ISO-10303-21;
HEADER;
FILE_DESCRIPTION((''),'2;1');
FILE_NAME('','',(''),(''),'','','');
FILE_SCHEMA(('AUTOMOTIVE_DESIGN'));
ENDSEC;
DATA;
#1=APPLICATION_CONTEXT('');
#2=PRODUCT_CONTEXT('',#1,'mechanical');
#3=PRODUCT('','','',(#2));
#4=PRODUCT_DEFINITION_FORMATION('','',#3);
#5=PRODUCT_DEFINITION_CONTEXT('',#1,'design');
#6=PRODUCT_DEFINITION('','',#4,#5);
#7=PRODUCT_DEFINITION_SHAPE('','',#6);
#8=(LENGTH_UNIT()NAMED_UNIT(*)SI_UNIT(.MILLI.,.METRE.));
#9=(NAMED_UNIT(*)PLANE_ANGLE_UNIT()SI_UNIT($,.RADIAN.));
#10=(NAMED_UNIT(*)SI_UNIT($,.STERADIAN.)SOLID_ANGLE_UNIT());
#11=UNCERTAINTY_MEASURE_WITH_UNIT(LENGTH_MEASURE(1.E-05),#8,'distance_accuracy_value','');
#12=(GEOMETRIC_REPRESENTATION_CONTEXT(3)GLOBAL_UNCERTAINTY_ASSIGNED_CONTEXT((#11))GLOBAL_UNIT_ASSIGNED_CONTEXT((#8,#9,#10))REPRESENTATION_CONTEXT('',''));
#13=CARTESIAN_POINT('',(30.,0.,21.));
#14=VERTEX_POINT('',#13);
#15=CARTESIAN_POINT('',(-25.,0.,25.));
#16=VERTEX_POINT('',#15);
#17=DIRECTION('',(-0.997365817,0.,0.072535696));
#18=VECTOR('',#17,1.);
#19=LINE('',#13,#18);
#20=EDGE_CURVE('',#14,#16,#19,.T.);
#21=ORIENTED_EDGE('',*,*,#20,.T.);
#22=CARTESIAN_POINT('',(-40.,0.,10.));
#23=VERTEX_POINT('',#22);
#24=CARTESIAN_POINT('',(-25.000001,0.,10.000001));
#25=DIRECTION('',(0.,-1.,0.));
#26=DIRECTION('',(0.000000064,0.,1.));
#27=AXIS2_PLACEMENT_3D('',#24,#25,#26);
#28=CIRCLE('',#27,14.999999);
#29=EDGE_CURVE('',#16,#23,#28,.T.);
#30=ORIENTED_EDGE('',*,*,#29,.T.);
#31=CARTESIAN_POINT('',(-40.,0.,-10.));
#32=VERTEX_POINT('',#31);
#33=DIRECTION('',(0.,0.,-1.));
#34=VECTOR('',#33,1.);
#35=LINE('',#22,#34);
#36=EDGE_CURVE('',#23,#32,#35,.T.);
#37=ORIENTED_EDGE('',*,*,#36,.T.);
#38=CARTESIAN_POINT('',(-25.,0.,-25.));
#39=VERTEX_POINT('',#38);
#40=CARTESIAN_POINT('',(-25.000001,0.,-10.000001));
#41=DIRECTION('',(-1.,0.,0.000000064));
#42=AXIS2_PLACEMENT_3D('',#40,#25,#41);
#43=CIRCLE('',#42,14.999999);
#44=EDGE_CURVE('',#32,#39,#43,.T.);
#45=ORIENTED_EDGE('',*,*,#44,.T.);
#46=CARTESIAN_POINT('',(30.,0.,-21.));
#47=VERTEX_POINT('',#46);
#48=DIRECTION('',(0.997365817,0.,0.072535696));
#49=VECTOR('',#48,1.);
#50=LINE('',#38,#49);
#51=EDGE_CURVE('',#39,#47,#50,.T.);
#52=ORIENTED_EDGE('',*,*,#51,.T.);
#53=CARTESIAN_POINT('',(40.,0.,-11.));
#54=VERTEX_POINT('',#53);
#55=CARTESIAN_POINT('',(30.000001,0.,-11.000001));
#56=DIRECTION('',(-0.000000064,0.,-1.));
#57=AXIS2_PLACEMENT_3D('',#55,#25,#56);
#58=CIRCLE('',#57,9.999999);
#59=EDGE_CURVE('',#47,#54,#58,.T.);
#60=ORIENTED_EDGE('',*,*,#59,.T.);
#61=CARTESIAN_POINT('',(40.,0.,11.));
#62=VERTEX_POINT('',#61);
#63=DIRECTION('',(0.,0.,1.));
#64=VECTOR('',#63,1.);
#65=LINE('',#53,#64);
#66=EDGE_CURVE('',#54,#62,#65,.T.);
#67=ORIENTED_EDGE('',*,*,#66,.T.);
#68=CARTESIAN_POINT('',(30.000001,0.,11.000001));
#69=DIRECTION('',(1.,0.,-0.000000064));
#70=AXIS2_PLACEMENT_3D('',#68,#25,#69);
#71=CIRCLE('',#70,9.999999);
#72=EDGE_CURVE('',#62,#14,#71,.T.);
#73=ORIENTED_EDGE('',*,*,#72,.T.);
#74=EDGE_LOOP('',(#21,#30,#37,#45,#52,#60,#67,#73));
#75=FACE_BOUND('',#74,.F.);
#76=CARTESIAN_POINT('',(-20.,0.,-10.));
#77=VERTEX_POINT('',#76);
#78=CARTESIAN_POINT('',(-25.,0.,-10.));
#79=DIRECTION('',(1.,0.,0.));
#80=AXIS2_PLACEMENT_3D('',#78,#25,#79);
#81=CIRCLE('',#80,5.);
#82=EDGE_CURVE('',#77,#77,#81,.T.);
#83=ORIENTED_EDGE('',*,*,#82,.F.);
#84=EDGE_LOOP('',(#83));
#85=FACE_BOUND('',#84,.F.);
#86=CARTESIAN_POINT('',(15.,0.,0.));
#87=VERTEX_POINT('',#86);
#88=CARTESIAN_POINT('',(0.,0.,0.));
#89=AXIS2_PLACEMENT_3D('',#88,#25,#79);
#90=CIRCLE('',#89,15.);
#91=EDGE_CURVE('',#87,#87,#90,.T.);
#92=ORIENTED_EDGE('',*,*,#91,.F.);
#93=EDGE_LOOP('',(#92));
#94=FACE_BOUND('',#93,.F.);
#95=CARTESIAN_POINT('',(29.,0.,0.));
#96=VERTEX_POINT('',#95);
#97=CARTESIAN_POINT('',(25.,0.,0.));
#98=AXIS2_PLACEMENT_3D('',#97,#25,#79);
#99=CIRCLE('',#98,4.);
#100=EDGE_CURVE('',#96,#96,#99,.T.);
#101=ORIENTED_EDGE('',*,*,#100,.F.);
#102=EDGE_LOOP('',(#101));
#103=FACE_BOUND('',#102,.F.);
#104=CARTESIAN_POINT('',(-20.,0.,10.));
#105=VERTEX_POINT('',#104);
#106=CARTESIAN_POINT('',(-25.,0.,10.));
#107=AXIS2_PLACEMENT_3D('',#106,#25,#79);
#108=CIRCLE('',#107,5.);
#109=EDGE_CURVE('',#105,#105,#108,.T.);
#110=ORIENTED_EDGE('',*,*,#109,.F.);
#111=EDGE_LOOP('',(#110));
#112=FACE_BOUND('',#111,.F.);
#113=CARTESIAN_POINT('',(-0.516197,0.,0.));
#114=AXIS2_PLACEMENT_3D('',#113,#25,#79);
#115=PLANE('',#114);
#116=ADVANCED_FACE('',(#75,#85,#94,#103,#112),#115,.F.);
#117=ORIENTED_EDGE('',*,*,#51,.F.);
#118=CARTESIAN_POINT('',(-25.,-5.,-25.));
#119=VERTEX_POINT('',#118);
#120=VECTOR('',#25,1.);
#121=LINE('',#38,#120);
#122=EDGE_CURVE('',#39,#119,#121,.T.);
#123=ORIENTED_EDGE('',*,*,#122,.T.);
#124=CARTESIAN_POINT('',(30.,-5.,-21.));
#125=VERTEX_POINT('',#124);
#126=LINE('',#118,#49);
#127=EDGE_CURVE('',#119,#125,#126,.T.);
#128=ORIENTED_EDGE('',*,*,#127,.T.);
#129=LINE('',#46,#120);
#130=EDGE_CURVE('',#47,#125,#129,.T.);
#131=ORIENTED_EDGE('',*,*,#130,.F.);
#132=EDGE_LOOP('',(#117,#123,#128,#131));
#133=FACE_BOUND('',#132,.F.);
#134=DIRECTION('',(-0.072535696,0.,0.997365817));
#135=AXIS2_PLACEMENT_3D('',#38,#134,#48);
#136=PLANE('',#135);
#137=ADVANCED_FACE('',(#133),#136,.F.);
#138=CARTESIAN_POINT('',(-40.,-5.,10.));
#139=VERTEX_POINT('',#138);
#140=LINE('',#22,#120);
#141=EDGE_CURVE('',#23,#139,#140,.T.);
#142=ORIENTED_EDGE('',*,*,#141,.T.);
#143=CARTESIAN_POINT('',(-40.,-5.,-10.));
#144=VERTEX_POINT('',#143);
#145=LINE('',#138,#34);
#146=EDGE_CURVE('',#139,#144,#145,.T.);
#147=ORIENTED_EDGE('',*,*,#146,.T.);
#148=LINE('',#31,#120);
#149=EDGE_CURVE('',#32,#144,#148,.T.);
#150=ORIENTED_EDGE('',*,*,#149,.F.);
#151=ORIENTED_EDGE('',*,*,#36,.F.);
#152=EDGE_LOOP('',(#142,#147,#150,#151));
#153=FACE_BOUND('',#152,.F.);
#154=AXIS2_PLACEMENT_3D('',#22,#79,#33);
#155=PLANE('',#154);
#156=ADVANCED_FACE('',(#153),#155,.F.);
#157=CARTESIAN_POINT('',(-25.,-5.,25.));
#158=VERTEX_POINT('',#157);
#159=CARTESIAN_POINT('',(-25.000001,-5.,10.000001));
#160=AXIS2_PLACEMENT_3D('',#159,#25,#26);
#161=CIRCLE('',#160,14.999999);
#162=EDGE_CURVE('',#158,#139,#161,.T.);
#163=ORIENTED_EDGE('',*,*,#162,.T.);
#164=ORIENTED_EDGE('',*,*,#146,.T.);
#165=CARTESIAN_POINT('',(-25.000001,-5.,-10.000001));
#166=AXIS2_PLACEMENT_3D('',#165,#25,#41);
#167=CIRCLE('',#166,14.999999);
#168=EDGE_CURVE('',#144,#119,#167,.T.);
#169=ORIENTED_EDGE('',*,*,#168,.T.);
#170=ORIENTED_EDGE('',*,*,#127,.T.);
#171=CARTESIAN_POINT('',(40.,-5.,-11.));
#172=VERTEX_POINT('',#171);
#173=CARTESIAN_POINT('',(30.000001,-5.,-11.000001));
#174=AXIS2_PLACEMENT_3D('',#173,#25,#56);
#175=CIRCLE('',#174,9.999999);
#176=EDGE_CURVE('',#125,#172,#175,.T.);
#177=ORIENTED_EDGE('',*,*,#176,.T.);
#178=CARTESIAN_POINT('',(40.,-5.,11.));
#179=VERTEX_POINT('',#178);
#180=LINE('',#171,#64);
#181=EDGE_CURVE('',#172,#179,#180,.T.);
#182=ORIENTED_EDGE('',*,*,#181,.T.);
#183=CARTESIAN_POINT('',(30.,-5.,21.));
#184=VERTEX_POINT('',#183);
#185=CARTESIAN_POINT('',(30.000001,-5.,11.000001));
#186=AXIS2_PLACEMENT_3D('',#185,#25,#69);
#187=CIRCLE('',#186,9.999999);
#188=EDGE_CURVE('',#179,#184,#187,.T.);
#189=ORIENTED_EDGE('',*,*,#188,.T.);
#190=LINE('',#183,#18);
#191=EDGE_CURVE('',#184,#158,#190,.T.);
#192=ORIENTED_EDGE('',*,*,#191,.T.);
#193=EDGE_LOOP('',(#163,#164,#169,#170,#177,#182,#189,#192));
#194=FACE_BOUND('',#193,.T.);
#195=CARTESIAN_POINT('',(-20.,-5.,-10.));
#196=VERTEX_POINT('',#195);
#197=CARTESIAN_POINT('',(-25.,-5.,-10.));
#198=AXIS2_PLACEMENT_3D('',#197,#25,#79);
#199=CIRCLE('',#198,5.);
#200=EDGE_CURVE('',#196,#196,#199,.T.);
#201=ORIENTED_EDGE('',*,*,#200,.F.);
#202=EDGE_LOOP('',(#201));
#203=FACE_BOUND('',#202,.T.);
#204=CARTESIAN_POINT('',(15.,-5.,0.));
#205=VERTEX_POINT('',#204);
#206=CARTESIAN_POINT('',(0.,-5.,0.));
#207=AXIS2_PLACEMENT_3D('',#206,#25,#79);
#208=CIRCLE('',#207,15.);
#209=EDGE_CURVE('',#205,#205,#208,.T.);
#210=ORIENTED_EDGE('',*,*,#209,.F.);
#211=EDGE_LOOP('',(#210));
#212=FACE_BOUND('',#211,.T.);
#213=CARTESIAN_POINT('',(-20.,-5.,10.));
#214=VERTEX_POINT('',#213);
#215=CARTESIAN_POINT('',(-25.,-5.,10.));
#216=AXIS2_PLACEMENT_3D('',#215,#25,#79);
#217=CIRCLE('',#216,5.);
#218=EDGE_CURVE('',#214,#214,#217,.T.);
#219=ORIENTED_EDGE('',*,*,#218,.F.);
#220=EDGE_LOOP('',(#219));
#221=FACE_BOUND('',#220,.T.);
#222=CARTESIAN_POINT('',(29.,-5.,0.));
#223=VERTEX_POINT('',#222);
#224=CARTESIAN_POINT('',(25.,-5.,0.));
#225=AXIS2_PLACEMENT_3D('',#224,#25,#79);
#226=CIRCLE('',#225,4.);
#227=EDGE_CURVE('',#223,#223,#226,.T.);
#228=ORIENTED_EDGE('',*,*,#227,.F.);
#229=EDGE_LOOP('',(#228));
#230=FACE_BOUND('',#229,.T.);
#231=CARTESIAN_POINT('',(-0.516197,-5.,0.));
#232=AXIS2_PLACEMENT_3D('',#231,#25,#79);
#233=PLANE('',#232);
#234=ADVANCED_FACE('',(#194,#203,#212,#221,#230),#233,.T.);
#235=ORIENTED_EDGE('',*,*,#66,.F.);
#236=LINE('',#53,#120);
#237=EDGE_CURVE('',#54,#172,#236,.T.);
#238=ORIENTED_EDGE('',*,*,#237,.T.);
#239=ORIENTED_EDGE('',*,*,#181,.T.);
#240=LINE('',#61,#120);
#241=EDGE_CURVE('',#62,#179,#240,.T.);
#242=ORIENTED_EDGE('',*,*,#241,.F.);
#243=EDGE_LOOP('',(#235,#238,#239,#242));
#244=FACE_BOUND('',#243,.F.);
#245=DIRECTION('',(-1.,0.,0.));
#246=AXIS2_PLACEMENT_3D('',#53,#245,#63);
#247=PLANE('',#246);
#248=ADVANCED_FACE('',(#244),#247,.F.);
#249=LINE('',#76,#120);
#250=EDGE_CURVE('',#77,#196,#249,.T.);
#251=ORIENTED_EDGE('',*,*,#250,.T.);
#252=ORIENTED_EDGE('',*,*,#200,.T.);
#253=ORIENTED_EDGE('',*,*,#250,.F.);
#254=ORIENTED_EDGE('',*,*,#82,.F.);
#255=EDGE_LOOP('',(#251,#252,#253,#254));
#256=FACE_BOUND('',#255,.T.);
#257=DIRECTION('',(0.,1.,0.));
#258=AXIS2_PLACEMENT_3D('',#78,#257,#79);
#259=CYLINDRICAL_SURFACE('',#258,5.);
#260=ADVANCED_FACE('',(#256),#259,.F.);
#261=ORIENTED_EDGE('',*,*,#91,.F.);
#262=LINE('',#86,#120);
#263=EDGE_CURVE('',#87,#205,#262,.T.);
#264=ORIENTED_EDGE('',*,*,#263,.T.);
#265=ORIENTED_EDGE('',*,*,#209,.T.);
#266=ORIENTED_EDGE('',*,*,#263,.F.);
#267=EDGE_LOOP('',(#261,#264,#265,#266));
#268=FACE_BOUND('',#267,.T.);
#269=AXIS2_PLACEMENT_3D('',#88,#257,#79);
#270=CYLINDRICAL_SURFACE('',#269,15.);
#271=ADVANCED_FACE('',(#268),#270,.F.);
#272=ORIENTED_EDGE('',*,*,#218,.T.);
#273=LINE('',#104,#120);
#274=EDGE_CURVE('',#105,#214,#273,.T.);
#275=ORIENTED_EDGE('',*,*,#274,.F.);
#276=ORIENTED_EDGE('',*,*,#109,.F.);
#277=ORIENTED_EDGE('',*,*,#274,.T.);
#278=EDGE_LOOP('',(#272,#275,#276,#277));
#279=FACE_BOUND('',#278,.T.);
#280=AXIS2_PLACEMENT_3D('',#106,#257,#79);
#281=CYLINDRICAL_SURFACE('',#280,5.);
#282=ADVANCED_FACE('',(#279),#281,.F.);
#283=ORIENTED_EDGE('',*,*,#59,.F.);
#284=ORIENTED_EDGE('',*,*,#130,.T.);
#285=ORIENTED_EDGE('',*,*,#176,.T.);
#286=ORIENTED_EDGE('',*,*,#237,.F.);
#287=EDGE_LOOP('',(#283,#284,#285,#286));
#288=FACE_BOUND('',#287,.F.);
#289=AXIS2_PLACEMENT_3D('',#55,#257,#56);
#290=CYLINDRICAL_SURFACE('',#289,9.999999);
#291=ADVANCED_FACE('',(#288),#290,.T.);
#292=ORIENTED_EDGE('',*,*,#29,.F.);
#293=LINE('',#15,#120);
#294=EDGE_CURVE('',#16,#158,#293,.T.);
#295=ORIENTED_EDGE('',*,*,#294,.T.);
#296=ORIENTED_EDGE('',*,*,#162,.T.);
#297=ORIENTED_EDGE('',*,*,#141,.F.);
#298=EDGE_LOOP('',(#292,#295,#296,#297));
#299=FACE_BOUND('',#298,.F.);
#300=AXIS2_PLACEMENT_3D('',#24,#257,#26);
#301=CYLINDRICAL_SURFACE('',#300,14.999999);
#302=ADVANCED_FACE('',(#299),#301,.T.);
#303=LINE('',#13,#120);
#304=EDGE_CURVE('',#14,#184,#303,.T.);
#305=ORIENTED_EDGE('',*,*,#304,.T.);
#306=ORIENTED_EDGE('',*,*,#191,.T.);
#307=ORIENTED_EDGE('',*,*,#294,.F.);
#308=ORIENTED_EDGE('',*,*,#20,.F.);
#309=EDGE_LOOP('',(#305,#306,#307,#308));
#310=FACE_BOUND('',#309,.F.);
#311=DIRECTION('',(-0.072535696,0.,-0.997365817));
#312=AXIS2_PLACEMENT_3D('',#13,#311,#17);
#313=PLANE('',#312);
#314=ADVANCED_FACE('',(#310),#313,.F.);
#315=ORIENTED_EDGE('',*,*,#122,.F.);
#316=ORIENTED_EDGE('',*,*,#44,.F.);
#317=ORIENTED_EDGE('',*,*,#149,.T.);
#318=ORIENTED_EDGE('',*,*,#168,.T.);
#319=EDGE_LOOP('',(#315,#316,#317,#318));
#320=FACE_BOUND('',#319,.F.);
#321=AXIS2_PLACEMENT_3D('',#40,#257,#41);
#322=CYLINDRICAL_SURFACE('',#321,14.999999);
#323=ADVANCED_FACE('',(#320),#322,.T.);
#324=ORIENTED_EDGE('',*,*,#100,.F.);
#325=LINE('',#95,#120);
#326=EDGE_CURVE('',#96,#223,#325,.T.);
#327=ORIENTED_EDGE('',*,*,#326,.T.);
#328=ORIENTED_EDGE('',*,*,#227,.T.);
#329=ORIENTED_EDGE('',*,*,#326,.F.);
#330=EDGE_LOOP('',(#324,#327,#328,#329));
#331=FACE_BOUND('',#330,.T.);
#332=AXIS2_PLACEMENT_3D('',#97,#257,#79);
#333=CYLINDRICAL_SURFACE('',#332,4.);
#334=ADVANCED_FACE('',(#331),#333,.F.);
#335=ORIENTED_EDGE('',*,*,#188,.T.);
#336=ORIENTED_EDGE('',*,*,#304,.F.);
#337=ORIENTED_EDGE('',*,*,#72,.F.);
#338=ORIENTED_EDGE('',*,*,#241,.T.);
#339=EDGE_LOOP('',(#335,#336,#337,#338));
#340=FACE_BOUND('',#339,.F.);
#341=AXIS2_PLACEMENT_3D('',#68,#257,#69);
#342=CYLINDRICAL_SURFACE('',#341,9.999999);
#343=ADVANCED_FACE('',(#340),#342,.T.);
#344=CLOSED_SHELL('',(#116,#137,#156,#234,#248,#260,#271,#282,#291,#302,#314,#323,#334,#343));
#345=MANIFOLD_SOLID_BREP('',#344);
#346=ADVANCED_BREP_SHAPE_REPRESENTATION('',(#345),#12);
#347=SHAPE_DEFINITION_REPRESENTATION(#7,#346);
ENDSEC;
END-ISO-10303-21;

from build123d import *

# Parameters (mm, degrees)
F0_R     = 5
F0_R_2   = 15
F0_R_3   = 4
F1_DEPTH = 5


with BuildPart() as f1:
    # F0 (on Front) → F1 (new body)
    with BuildSketch(Plane.XZ):
        with BuildLine():
            Line((-40, 10), (-40, 0))
            Line((-40, 0), (-40, -10))
            ThreePointArc((-40, -10), (-35.606602, -20.606602), (-25, -25))
            Line((-25, -25), (30, -21))
            ThreePointArc((30, -21), (37.071068, -18.071068), (40, -11))
            Line((40, -11), (40, 0))
            Line((40, 0), (40, 11))
            ThreePointArc((40, 11), (37.071068, 18.071068), (30, 21))
            Line((30, 21), (-25, 25))
            ThreePointArc((-25, 25), (-35.606602, 20.606602), (-40, 10))
        make_face()
        with Locations((-25, -10)):
            Circle(F0_R, mode=Mode.SUBTRACT)
        with Locations((-25, 10)):
            Circle(F0_R, mode=Mode.SUBTRACT)
        Circle(F0_R_2, mode=Mode.SUBTRACT)
        with Locations((25, 0)):
            Circle(F0_R_3, mode=Mode.SUBTRACT)
    extrude(amount=F1_DEPTH)


solid = f1.part
